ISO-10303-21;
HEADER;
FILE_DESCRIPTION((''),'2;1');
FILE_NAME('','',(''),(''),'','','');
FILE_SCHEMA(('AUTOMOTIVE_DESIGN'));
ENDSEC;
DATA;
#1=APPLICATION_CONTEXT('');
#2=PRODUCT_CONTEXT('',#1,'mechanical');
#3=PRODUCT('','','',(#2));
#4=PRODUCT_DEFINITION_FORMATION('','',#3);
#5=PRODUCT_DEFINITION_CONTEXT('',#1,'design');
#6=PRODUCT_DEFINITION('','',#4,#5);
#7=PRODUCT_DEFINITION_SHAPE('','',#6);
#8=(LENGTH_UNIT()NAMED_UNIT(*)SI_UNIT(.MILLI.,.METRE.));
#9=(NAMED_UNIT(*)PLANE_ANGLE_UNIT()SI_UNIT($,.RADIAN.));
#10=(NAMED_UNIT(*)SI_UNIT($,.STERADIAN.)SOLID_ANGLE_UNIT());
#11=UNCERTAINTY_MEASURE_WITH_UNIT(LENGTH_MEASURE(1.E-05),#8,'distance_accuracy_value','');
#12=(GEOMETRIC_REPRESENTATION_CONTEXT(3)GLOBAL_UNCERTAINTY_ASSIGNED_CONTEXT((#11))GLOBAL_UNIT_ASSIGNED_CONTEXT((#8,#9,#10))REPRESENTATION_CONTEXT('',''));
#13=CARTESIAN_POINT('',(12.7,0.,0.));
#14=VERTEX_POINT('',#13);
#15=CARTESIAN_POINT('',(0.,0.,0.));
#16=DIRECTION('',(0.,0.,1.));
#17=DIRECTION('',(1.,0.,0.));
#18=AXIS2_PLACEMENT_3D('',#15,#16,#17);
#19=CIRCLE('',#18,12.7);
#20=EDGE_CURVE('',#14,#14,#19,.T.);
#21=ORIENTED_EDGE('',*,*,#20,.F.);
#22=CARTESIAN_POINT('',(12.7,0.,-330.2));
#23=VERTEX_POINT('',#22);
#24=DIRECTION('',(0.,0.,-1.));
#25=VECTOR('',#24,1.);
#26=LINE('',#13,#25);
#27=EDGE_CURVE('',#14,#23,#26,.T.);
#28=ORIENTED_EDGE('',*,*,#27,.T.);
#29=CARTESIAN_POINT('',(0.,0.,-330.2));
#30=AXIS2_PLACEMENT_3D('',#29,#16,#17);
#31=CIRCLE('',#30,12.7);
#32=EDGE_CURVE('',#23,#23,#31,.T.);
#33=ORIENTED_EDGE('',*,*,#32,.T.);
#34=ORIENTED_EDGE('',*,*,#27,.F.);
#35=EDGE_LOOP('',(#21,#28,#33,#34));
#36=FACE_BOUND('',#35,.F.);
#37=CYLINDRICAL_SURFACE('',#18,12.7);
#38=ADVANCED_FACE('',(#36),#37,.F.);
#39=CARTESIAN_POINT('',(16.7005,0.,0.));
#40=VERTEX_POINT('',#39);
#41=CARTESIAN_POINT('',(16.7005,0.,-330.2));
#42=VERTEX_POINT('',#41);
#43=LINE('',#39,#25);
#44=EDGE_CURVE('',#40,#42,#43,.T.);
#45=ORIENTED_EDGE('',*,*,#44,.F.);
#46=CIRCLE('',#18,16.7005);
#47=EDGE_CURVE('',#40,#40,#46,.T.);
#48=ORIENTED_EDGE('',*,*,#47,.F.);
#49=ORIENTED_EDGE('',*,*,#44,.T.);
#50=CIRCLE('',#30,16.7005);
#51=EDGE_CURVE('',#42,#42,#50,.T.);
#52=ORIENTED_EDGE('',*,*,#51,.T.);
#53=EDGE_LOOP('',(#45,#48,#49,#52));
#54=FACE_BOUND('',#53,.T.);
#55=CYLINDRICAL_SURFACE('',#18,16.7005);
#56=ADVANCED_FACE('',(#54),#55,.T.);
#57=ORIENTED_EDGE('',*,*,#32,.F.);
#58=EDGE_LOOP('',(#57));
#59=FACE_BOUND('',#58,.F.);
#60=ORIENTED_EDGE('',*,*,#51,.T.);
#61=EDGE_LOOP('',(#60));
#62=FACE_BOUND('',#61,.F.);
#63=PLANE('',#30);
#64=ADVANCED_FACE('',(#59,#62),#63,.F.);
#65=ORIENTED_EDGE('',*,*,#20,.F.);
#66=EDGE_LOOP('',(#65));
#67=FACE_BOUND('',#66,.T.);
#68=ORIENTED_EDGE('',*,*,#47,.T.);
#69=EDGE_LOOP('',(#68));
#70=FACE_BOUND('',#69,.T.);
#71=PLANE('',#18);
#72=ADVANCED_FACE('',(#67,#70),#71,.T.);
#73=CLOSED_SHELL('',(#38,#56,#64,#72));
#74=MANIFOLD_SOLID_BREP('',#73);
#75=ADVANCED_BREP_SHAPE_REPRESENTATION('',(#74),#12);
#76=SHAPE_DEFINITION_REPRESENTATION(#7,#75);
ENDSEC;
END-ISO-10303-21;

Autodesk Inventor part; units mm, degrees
ref_plane "YZ Plane" through (0, 0, 0) normal (1, 0, 0) x (0, 1, 0)
ref_plane "XZ Plane" through (0, 0, 0) normal (0, 1, 0) x (-1, 0, 0)
ref_plane "XY Plane" through (0, 0, 0) normal (0, 0, 1) x (1, 0, 0)
sketch "Sketch1" plane through (0, 0, 0) normal (0, 0, 1) x (1, 0, 0)
  circle A0 centre (0, 0) radius 16.7005
  circle A1 centre (0, 0) radius 12.7
  dimension "d0" = 33.401
  dimension "d1" = 25.4
extrude "Extrusion1" add sketch "Sketch1" against normal blind 330.2
properties part number "Pipe 2"
